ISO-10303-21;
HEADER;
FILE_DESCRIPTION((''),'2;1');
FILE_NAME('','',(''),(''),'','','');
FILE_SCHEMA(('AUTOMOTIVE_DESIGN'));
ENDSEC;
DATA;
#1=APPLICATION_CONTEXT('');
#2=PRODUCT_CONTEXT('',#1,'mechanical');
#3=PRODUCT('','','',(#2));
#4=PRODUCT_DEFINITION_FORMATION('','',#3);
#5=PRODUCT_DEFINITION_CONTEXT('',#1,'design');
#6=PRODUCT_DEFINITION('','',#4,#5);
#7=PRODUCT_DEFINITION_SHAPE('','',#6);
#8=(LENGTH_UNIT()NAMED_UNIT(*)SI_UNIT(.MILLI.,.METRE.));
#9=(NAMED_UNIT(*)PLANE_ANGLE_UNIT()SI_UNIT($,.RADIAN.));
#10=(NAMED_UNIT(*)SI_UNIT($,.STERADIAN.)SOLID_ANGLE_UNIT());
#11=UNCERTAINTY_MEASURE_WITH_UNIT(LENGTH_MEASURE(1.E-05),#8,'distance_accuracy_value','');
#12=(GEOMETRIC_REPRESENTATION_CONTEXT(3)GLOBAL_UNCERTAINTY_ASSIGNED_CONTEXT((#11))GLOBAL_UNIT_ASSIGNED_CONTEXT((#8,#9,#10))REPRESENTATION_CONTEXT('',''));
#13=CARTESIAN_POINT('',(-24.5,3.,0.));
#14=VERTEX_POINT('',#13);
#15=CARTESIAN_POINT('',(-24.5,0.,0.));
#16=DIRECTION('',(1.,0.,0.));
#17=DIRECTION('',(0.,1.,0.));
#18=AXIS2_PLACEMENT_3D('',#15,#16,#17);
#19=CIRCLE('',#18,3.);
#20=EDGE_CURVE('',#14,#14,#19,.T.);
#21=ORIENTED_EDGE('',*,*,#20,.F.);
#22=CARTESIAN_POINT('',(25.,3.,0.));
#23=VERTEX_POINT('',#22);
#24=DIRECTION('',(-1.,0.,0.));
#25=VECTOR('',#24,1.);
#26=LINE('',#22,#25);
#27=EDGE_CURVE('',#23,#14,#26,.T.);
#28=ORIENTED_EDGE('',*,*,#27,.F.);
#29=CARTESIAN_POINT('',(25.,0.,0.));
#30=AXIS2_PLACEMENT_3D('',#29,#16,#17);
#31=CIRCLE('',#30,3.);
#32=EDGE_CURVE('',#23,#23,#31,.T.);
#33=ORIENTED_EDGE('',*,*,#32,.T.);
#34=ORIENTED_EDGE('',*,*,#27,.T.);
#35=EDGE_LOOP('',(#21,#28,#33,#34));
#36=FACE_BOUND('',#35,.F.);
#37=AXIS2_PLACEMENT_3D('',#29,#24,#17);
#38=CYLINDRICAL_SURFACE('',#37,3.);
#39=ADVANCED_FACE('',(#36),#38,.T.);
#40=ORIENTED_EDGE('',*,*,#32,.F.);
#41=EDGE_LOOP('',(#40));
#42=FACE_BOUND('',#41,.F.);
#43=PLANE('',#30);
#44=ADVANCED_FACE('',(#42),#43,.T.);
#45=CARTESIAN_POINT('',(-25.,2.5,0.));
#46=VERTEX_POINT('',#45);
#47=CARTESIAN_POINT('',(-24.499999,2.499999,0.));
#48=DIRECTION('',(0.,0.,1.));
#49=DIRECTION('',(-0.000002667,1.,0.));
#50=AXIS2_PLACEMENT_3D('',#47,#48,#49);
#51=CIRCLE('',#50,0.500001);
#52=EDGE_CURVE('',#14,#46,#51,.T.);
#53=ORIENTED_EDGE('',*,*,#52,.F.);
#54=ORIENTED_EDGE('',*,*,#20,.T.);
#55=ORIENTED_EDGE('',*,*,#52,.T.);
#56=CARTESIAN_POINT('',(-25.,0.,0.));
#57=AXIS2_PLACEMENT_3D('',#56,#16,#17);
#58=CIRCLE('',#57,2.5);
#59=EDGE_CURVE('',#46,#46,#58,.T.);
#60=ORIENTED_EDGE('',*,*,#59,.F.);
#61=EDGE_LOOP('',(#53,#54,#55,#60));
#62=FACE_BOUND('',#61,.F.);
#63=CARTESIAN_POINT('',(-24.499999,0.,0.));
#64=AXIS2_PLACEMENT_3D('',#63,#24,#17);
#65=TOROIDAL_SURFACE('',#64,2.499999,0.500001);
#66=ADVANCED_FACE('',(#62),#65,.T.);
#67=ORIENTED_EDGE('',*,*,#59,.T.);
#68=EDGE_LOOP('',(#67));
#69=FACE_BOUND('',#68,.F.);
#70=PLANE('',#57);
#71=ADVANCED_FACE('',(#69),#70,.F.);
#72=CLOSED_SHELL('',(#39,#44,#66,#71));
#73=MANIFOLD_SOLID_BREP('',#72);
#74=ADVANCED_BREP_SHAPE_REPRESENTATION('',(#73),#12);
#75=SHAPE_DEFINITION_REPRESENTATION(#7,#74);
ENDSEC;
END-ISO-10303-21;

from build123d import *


with BuildPart() as f1:
    # F0 (on Top) → F1 (revolve)
    with BuildSketch(Plane.XY):
        with BuildLine():
            Line((-25, 2.5), (-25, 0))
            Line((-25, 0), (25, 0))
            Line((25, 0), (25, 3))
            Line((25, 3), (-24.5, 3))
            ThreePointArc((-24.5, 3), (-24.853553, 2.853553), (-25, 2.5))
        make_face()
    revolve(axis=Axis((0, 0, 0), (1, 0, 0)))


solid = f1.part
